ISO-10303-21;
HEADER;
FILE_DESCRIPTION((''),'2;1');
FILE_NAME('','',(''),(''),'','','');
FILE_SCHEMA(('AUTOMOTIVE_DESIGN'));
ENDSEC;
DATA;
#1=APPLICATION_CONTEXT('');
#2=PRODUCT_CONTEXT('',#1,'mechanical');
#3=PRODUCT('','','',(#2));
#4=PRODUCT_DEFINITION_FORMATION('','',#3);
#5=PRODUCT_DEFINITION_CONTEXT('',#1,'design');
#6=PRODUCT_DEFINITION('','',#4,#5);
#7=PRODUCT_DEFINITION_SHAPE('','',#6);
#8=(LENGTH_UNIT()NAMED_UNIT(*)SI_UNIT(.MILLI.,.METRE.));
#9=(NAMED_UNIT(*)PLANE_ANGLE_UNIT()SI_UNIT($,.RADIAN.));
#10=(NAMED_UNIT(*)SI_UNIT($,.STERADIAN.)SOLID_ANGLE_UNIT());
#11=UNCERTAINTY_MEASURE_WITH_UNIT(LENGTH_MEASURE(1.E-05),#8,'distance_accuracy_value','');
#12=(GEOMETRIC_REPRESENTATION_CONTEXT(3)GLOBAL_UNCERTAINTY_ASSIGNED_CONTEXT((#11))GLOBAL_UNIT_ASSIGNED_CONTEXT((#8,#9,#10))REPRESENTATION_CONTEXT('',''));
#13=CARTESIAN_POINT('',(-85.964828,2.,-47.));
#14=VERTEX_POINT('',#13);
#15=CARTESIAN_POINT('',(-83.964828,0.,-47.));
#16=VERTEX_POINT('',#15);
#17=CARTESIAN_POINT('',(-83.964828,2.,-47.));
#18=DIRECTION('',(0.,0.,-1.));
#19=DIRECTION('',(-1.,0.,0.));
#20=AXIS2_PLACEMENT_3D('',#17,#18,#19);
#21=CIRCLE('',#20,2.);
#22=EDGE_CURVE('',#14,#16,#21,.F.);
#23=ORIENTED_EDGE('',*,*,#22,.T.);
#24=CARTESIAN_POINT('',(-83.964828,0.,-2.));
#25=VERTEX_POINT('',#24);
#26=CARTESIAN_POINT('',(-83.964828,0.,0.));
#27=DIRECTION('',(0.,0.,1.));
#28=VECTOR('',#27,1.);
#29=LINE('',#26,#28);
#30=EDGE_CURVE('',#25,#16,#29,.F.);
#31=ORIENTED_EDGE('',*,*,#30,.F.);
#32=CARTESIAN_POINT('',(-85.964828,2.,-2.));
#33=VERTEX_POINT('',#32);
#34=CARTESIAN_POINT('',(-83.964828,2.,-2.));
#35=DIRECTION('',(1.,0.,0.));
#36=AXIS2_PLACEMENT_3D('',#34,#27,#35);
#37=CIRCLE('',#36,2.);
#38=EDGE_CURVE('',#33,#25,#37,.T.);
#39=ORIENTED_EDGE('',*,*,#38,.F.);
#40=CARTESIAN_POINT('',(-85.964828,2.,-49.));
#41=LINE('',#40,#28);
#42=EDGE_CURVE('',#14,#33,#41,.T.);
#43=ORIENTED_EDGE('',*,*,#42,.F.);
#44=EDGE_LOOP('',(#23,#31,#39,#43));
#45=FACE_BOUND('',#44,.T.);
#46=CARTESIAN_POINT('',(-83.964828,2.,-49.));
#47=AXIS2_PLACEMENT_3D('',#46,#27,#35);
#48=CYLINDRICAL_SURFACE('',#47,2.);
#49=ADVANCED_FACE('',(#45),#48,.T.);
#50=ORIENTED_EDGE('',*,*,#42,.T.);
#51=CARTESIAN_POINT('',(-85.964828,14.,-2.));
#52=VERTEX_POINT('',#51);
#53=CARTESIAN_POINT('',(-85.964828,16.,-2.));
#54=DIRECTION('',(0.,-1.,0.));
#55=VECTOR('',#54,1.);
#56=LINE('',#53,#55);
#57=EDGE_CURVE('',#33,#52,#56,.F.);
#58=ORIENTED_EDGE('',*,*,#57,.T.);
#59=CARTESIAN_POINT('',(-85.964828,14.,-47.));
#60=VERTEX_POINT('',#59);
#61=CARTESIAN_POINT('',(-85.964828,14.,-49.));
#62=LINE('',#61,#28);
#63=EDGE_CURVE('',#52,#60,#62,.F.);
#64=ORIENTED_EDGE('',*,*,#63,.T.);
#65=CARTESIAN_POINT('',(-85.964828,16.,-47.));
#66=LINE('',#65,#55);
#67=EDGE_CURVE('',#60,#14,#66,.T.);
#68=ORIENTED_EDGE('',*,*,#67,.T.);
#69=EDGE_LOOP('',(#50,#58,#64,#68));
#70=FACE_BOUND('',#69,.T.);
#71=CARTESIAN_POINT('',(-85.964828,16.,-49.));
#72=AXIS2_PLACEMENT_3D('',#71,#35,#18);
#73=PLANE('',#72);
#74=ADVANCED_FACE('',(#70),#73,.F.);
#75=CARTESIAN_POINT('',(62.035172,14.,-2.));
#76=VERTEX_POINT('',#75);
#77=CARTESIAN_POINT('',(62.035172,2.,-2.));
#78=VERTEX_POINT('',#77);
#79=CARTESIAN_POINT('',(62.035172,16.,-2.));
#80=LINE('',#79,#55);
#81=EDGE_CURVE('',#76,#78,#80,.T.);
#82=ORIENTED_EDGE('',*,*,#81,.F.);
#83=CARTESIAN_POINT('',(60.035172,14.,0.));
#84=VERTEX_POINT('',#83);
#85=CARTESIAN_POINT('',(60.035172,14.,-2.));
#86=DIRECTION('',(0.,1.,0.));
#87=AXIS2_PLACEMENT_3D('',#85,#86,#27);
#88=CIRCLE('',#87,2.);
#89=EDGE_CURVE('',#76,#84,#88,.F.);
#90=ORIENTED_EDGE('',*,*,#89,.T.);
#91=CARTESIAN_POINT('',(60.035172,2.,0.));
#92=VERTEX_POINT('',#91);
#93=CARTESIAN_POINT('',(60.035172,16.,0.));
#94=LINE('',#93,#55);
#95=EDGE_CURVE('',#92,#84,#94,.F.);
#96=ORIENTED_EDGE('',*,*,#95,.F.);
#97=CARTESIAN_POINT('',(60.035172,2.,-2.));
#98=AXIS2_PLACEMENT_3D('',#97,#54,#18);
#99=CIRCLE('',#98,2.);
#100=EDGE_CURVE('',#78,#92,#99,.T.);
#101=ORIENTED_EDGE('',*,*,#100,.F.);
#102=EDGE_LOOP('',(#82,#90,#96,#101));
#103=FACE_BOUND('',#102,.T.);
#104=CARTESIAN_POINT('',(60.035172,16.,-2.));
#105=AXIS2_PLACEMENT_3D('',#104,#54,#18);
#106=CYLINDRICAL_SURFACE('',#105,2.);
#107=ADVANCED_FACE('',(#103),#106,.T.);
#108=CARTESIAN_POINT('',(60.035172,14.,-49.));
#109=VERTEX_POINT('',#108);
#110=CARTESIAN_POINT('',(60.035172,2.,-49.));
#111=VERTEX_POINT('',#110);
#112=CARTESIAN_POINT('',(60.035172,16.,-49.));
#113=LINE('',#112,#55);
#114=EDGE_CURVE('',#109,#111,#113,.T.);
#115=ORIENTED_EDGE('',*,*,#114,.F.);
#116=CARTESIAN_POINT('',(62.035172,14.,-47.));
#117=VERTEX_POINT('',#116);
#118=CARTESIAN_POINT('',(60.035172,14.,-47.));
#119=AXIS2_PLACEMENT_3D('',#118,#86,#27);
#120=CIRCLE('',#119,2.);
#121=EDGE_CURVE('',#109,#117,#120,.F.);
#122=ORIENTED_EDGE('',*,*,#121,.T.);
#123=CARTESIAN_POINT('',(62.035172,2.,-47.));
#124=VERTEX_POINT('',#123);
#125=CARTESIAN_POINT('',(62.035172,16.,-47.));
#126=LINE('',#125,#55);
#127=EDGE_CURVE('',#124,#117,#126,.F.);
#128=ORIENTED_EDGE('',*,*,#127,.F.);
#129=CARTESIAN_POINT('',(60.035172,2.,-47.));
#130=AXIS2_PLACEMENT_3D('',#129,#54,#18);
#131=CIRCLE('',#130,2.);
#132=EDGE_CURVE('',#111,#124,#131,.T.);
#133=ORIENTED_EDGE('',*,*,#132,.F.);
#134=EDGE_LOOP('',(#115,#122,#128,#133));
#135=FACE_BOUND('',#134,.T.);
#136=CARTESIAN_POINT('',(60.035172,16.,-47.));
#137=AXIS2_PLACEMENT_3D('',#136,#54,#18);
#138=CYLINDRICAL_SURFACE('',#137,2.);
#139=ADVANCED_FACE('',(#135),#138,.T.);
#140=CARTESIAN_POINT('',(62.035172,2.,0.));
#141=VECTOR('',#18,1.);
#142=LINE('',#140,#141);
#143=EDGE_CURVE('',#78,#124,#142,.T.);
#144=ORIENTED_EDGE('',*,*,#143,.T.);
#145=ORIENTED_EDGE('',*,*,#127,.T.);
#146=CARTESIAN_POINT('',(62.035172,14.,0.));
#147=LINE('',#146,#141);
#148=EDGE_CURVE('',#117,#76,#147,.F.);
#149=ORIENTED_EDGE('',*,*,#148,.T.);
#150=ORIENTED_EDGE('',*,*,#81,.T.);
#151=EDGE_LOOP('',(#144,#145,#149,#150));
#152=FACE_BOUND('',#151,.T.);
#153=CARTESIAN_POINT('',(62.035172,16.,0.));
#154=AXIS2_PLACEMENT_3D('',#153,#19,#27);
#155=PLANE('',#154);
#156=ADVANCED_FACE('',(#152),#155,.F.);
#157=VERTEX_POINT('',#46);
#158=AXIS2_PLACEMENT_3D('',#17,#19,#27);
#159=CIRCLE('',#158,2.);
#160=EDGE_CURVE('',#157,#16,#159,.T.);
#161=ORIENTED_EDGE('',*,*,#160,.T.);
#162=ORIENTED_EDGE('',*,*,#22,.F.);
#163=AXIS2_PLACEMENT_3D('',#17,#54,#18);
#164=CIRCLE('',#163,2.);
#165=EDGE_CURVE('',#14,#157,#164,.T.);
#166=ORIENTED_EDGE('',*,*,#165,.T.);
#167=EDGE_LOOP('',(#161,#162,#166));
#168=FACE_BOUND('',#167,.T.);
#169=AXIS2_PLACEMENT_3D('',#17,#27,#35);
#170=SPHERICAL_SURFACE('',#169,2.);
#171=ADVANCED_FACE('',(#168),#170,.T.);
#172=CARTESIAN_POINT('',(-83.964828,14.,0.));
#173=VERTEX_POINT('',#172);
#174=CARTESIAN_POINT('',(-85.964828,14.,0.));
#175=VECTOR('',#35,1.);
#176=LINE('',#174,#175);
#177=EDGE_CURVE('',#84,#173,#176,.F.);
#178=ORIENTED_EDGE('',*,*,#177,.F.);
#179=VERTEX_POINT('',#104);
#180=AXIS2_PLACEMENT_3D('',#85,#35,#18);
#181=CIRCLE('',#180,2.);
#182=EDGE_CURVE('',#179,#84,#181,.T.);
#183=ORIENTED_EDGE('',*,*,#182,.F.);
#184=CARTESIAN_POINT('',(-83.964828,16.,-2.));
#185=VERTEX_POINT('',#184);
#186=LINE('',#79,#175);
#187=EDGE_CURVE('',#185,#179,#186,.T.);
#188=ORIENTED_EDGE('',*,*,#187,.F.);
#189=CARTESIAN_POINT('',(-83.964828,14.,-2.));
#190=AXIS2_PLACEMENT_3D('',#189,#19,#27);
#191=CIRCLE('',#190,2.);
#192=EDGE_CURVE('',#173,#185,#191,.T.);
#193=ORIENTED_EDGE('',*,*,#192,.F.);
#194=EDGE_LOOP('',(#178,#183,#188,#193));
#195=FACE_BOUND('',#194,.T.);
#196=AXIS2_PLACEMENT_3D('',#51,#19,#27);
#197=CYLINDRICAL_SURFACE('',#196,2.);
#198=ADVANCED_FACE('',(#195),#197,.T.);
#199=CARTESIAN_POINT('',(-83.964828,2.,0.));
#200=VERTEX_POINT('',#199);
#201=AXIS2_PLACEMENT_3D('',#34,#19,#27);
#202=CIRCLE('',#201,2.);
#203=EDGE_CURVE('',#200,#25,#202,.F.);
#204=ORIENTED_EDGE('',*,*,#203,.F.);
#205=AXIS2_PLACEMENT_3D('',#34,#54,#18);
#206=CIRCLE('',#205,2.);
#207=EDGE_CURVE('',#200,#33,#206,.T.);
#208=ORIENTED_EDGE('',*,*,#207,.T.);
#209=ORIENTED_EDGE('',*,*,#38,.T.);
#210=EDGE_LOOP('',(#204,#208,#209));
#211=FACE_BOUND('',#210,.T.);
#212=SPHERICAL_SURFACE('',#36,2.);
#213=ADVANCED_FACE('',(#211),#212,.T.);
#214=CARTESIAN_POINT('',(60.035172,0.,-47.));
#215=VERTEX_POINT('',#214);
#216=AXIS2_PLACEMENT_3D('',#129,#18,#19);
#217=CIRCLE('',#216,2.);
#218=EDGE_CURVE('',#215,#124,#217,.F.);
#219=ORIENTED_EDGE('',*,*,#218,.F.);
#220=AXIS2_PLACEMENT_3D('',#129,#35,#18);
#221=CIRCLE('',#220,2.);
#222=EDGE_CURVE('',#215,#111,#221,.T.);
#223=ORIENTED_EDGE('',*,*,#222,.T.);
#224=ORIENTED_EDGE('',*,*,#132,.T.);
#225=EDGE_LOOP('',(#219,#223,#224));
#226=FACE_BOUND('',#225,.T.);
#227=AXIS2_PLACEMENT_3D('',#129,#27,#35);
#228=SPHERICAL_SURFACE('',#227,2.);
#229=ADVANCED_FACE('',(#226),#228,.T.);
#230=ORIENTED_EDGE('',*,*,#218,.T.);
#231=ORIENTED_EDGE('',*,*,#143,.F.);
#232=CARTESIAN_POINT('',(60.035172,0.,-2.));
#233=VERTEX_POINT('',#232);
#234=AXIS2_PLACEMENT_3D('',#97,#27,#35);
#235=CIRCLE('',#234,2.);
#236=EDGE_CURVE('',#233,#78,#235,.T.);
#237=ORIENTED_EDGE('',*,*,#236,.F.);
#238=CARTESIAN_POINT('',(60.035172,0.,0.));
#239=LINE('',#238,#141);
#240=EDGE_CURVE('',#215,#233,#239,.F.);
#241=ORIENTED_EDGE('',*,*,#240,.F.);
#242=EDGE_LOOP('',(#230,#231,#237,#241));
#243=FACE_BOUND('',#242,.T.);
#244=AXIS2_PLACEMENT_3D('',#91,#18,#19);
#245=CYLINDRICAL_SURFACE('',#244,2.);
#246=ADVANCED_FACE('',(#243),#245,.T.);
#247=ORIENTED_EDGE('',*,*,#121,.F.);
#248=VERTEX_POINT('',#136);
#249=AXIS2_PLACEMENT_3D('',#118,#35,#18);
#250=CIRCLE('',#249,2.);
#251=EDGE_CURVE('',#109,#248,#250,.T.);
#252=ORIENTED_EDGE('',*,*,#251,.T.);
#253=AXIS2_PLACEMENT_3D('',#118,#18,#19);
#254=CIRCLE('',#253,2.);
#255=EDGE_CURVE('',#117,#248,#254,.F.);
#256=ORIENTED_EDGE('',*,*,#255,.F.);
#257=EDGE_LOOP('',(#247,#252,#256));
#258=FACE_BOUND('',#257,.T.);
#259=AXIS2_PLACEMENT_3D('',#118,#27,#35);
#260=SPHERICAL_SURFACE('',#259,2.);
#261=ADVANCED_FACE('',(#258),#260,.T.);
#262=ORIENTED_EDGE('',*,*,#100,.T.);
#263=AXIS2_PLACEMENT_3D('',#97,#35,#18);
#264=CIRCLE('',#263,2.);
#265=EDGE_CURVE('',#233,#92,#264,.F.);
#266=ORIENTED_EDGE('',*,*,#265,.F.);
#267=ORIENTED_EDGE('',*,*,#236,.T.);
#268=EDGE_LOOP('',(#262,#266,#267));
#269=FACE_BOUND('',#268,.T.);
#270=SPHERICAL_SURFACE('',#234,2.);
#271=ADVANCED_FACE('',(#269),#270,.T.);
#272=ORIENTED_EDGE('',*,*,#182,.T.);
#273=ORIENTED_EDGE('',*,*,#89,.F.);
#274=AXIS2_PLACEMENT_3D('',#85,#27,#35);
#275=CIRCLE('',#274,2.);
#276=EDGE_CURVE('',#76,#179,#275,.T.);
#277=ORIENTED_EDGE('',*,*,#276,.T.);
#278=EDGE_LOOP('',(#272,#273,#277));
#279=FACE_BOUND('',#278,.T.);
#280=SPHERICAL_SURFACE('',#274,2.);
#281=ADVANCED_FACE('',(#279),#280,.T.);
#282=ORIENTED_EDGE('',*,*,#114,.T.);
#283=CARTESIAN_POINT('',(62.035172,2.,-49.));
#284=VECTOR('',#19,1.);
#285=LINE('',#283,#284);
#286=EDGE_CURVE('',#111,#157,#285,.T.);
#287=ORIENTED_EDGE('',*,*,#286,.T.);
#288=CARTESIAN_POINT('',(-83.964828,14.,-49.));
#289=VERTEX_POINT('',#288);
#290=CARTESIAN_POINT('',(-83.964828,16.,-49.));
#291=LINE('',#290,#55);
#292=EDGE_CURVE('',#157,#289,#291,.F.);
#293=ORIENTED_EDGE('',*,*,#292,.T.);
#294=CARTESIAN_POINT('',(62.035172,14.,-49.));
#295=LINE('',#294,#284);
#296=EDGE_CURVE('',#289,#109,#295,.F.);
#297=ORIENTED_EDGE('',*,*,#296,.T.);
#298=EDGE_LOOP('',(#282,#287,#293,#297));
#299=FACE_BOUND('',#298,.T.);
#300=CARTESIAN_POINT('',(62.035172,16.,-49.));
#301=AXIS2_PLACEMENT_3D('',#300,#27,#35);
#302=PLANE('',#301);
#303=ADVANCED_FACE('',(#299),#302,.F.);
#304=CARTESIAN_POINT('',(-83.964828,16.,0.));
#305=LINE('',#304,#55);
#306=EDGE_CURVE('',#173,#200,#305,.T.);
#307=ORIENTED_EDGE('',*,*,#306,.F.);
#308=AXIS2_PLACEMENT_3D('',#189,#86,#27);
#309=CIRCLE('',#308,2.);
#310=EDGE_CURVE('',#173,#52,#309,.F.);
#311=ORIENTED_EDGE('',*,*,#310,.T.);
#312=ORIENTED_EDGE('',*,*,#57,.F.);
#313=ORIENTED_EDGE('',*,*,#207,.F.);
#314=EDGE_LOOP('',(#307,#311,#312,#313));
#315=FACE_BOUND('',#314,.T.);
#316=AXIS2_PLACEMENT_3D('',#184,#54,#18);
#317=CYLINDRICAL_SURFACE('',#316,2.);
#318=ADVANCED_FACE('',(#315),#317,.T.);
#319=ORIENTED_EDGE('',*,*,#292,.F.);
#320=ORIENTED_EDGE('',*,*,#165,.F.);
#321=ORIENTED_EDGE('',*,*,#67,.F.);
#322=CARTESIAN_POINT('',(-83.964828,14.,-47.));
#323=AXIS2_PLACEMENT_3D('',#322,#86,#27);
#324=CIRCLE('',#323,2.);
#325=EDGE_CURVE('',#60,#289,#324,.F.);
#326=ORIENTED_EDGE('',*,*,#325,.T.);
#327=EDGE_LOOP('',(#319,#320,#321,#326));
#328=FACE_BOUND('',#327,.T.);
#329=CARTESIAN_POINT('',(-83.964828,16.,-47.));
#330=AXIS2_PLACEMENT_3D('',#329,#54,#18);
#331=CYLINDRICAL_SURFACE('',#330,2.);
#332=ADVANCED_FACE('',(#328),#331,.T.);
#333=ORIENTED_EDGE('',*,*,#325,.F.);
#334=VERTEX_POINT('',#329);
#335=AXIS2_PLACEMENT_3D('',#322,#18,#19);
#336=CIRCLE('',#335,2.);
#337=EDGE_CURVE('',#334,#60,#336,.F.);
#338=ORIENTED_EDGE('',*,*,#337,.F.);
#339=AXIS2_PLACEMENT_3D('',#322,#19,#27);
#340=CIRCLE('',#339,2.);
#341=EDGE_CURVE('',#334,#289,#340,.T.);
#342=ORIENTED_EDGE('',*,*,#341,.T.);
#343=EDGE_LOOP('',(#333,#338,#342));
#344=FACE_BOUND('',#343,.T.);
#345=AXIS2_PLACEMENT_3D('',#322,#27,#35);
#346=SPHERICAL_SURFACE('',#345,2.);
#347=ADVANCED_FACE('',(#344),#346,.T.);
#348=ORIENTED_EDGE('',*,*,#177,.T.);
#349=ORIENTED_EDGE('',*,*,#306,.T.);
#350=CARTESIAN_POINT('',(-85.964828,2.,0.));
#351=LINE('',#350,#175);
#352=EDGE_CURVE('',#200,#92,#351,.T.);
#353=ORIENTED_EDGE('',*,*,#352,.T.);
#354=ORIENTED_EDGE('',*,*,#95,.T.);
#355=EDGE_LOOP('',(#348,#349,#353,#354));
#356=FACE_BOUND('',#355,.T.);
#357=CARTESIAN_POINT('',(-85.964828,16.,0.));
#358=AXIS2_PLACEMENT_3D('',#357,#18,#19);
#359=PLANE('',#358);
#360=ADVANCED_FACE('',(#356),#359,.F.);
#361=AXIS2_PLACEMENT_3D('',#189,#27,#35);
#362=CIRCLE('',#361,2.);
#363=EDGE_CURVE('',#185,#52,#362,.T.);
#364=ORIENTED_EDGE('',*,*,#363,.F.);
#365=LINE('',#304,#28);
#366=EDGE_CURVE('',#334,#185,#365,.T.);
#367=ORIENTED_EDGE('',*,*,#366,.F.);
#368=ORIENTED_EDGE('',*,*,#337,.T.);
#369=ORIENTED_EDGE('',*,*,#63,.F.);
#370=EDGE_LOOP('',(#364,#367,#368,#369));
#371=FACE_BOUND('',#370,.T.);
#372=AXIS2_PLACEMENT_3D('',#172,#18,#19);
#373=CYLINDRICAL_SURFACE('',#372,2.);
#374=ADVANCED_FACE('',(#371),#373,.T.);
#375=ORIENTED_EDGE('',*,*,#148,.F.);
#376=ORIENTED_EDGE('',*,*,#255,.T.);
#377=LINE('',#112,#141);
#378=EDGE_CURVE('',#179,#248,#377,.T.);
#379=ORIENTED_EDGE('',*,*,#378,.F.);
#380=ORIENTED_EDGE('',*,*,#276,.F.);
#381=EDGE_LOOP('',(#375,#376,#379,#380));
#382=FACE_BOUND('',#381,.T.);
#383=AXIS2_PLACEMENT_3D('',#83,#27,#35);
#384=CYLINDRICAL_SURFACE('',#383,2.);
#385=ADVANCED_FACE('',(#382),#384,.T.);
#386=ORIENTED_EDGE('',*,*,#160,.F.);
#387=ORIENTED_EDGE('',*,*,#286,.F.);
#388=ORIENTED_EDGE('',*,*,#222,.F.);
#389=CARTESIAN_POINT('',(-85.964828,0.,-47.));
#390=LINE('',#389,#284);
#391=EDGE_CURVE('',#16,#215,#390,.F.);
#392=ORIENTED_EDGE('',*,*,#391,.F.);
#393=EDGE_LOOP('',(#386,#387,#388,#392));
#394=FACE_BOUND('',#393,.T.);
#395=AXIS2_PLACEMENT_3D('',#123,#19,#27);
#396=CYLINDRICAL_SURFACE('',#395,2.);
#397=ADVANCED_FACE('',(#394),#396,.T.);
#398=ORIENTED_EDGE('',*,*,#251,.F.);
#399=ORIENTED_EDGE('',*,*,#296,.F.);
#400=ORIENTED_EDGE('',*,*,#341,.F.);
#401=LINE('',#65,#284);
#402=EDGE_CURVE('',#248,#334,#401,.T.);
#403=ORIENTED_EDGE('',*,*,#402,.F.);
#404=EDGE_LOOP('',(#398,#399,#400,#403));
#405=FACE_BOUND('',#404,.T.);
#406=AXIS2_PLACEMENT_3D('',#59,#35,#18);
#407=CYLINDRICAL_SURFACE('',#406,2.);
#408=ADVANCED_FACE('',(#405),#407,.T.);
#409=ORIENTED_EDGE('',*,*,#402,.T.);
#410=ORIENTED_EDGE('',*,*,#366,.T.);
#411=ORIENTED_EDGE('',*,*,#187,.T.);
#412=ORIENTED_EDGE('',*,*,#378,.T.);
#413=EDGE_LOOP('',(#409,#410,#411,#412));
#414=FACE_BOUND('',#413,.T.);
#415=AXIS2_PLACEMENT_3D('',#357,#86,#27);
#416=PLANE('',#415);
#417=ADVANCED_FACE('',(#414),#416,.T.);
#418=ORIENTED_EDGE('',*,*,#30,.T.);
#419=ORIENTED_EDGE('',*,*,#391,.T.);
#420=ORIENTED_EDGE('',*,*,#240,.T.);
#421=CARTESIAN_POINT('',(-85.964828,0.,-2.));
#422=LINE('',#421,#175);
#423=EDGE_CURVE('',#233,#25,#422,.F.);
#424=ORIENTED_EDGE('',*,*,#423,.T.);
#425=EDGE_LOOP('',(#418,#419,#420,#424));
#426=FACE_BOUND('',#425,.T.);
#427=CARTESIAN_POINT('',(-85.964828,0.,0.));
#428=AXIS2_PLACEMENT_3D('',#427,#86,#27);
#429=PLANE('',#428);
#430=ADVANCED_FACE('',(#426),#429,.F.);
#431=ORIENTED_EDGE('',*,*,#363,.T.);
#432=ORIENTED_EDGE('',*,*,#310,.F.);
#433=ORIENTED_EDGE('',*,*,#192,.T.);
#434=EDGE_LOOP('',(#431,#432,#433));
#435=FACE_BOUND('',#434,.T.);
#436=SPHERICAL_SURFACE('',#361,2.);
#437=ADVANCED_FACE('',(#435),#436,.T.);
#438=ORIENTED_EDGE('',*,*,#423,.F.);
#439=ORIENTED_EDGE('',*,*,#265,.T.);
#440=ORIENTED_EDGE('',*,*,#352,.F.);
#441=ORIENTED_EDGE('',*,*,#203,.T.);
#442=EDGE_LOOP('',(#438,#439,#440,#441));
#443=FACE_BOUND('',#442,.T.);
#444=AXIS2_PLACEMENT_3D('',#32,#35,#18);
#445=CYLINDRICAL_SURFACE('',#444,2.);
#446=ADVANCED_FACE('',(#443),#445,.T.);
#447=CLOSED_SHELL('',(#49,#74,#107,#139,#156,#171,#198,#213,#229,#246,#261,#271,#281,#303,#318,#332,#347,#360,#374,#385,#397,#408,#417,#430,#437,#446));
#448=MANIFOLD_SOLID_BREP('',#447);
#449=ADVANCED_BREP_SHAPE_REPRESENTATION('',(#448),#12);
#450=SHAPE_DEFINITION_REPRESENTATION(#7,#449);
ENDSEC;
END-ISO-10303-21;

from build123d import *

# Parameters (mm, degrees)
SKETCH1_W           = 148
SKETCH1_H           = 49
BOSS_EXTRUDE1_DEPTH = 16
FILLET1_R           = 2


with BuildPart() as part:
    # Sketch1 → Boss-Extrude1 (new body)
    with BuildSketch(Plane(origin=(0, 0, 0), x_dir=(1, 0, 0), z_dir=(0, 1, 0))):
        with Locations((-11.964828379, 24.5)):
            Rectangle(SKETCH1_W, SKETCH1_H)
    extrude(amount=BOSS_EXTRUDE1_DEPTH)

    # Fillet1
    fillet1_edges = [part.edges().sort_by_distance(p)[0] for p in [
        (62.035171621, 16, -24.5),
        (-11.964828379, 16, -49),
        (-85.964828379, 16, -24.5),
        (-11.964828379, 0, -49),
        (62.035171621, 0, -24.5),
        (-11.964828379, 0, 0),
        (-85.964828379, 0, -24.5),
        (-11.964828379, 16, 0),
        (-85.964828379, 8, -49),
        (62.035171621, 8, -49),
        (62.035171621, 8, 0),
        (-85.964828379, 8, 0),
    ]]
    fillet(fillet1_edges, radius=FILLET1_R)


solid = part.part
